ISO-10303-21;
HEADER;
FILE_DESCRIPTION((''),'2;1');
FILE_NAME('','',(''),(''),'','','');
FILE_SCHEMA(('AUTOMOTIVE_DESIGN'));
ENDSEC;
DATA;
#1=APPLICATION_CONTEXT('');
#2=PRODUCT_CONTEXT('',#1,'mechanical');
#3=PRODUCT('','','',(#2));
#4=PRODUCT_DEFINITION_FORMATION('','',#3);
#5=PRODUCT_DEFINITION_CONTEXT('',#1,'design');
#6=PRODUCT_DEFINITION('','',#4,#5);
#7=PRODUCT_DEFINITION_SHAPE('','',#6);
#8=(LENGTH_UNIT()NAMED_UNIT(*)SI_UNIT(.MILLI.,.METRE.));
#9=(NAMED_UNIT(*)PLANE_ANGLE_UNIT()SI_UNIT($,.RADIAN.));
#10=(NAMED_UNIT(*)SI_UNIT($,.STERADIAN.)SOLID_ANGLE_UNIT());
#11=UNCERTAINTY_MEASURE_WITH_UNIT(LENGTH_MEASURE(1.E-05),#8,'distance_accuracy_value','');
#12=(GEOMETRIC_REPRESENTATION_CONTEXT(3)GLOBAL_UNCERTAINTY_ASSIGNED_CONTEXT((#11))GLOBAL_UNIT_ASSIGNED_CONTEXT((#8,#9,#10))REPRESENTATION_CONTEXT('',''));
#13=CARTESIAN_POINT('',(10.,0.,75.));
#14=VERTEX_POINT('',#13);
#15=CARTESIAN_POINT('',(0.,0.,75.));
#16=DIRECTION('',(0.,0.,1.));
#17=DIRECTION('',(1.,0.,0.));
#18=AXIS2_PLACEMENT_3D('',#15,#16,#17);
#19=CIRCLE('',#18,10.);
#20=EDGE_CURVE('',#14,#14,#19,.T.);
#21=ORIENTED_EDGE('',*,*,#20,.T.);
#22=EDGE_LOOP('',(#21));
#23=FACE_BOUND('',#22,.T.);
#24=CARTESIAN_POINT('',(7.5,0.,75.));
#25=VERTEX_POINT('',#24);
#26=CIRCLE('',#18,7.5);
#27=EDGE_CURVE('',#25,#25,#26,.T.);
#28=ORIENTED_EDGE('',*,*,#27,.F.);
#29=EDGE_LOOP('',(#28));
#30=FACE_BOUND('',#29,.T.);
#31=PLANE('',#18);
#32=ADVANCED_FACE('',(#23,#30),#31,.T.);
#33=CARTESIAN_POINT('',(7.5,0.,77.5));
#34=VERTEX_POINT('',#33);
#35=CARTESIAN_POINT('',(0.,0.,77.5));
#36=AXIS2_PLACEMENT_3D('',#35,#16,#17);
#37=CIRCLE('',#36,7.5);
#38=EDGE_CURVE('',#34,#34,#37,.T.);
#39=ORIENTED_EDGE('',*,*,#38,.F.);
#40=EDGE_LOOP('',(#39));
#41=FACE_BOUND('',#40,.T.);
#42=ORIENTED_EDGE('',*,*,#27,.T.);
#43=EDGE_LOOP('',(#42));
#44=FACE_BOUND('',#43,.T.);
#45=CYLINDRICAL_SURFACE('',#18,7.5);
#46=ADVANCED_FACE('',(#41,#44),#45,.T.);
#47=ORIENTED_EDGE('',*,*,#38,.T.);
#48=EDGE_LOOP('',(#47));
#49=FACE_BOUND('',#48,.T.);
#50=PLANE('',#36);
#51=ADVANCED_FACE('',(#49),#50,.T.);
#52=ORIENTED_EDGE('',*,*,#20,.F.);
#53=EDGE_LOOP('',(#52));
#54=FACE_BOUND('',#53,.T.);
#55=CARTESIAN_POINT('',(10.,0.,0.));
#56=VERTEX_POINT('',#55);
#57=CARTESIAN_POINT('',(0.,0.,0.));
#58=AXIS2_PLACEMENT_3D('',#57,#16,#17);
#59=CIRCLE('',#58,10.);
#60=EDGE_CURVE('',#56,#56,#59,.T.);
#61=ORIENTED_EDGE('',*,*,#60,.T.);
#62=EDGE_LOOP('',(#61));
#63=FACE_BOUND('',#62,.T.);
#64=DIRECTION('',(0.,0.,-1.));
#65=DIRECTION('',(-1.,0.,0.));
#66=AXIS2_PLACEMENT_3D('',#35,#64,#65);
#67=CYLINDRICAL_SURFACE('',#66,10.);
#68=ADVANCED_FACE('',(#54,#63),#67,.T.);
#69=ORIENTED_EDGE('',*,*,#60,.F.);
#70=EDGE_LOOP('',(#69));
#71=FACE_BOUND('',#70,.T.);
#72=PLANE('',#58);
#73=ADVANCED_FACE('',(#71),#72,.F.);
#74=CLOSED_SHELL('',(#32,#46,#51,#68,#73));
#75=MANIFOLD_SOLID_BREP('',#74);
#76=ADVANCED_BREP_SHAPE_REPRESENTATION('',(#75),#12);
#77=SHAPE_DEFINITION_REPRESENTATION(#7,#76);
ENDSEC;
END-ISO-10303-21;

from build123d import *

# Parameters (mm, degrees)
SKETCH_1_R          = 10
EXTRUDE_1_DEPTH     = 77.5
SKETCH_2_OUTSIDE_W  = 38.5
SKETCH_2_OUTSIDE_H  = 38.5
SKETCH_2_OUTSIDE_R  = 7.5
CUT_EXTRUDE_1_DEPTH = 2.5


with BuildPart() as part:
    # Эскиз1 → Бобышка-Вытянуть1 (new body)
    with BuildSketch(Plane.XY):
        Circle(SKETCH_1_R)
    extrude(amount=EXTRUDE_1_DEPTH)

    # Эскиз2 outside → Вырез-Вытянуть1 (cut)
    with BuildSketch(Plane.XY.offset(77.5)):
        Rectangle(SKETCH_2_OUTSIDE_W, SKETCH_2_OUTSIDE_H)
        Circle(SKETCH_2_OUTSIDE_R, mode=Mode.SUBTRACT)
    extrude(amount=-CUT_EXTRUDE_1_DEPTH, mode=Mode.SUBTRACT)


solid = part.part
